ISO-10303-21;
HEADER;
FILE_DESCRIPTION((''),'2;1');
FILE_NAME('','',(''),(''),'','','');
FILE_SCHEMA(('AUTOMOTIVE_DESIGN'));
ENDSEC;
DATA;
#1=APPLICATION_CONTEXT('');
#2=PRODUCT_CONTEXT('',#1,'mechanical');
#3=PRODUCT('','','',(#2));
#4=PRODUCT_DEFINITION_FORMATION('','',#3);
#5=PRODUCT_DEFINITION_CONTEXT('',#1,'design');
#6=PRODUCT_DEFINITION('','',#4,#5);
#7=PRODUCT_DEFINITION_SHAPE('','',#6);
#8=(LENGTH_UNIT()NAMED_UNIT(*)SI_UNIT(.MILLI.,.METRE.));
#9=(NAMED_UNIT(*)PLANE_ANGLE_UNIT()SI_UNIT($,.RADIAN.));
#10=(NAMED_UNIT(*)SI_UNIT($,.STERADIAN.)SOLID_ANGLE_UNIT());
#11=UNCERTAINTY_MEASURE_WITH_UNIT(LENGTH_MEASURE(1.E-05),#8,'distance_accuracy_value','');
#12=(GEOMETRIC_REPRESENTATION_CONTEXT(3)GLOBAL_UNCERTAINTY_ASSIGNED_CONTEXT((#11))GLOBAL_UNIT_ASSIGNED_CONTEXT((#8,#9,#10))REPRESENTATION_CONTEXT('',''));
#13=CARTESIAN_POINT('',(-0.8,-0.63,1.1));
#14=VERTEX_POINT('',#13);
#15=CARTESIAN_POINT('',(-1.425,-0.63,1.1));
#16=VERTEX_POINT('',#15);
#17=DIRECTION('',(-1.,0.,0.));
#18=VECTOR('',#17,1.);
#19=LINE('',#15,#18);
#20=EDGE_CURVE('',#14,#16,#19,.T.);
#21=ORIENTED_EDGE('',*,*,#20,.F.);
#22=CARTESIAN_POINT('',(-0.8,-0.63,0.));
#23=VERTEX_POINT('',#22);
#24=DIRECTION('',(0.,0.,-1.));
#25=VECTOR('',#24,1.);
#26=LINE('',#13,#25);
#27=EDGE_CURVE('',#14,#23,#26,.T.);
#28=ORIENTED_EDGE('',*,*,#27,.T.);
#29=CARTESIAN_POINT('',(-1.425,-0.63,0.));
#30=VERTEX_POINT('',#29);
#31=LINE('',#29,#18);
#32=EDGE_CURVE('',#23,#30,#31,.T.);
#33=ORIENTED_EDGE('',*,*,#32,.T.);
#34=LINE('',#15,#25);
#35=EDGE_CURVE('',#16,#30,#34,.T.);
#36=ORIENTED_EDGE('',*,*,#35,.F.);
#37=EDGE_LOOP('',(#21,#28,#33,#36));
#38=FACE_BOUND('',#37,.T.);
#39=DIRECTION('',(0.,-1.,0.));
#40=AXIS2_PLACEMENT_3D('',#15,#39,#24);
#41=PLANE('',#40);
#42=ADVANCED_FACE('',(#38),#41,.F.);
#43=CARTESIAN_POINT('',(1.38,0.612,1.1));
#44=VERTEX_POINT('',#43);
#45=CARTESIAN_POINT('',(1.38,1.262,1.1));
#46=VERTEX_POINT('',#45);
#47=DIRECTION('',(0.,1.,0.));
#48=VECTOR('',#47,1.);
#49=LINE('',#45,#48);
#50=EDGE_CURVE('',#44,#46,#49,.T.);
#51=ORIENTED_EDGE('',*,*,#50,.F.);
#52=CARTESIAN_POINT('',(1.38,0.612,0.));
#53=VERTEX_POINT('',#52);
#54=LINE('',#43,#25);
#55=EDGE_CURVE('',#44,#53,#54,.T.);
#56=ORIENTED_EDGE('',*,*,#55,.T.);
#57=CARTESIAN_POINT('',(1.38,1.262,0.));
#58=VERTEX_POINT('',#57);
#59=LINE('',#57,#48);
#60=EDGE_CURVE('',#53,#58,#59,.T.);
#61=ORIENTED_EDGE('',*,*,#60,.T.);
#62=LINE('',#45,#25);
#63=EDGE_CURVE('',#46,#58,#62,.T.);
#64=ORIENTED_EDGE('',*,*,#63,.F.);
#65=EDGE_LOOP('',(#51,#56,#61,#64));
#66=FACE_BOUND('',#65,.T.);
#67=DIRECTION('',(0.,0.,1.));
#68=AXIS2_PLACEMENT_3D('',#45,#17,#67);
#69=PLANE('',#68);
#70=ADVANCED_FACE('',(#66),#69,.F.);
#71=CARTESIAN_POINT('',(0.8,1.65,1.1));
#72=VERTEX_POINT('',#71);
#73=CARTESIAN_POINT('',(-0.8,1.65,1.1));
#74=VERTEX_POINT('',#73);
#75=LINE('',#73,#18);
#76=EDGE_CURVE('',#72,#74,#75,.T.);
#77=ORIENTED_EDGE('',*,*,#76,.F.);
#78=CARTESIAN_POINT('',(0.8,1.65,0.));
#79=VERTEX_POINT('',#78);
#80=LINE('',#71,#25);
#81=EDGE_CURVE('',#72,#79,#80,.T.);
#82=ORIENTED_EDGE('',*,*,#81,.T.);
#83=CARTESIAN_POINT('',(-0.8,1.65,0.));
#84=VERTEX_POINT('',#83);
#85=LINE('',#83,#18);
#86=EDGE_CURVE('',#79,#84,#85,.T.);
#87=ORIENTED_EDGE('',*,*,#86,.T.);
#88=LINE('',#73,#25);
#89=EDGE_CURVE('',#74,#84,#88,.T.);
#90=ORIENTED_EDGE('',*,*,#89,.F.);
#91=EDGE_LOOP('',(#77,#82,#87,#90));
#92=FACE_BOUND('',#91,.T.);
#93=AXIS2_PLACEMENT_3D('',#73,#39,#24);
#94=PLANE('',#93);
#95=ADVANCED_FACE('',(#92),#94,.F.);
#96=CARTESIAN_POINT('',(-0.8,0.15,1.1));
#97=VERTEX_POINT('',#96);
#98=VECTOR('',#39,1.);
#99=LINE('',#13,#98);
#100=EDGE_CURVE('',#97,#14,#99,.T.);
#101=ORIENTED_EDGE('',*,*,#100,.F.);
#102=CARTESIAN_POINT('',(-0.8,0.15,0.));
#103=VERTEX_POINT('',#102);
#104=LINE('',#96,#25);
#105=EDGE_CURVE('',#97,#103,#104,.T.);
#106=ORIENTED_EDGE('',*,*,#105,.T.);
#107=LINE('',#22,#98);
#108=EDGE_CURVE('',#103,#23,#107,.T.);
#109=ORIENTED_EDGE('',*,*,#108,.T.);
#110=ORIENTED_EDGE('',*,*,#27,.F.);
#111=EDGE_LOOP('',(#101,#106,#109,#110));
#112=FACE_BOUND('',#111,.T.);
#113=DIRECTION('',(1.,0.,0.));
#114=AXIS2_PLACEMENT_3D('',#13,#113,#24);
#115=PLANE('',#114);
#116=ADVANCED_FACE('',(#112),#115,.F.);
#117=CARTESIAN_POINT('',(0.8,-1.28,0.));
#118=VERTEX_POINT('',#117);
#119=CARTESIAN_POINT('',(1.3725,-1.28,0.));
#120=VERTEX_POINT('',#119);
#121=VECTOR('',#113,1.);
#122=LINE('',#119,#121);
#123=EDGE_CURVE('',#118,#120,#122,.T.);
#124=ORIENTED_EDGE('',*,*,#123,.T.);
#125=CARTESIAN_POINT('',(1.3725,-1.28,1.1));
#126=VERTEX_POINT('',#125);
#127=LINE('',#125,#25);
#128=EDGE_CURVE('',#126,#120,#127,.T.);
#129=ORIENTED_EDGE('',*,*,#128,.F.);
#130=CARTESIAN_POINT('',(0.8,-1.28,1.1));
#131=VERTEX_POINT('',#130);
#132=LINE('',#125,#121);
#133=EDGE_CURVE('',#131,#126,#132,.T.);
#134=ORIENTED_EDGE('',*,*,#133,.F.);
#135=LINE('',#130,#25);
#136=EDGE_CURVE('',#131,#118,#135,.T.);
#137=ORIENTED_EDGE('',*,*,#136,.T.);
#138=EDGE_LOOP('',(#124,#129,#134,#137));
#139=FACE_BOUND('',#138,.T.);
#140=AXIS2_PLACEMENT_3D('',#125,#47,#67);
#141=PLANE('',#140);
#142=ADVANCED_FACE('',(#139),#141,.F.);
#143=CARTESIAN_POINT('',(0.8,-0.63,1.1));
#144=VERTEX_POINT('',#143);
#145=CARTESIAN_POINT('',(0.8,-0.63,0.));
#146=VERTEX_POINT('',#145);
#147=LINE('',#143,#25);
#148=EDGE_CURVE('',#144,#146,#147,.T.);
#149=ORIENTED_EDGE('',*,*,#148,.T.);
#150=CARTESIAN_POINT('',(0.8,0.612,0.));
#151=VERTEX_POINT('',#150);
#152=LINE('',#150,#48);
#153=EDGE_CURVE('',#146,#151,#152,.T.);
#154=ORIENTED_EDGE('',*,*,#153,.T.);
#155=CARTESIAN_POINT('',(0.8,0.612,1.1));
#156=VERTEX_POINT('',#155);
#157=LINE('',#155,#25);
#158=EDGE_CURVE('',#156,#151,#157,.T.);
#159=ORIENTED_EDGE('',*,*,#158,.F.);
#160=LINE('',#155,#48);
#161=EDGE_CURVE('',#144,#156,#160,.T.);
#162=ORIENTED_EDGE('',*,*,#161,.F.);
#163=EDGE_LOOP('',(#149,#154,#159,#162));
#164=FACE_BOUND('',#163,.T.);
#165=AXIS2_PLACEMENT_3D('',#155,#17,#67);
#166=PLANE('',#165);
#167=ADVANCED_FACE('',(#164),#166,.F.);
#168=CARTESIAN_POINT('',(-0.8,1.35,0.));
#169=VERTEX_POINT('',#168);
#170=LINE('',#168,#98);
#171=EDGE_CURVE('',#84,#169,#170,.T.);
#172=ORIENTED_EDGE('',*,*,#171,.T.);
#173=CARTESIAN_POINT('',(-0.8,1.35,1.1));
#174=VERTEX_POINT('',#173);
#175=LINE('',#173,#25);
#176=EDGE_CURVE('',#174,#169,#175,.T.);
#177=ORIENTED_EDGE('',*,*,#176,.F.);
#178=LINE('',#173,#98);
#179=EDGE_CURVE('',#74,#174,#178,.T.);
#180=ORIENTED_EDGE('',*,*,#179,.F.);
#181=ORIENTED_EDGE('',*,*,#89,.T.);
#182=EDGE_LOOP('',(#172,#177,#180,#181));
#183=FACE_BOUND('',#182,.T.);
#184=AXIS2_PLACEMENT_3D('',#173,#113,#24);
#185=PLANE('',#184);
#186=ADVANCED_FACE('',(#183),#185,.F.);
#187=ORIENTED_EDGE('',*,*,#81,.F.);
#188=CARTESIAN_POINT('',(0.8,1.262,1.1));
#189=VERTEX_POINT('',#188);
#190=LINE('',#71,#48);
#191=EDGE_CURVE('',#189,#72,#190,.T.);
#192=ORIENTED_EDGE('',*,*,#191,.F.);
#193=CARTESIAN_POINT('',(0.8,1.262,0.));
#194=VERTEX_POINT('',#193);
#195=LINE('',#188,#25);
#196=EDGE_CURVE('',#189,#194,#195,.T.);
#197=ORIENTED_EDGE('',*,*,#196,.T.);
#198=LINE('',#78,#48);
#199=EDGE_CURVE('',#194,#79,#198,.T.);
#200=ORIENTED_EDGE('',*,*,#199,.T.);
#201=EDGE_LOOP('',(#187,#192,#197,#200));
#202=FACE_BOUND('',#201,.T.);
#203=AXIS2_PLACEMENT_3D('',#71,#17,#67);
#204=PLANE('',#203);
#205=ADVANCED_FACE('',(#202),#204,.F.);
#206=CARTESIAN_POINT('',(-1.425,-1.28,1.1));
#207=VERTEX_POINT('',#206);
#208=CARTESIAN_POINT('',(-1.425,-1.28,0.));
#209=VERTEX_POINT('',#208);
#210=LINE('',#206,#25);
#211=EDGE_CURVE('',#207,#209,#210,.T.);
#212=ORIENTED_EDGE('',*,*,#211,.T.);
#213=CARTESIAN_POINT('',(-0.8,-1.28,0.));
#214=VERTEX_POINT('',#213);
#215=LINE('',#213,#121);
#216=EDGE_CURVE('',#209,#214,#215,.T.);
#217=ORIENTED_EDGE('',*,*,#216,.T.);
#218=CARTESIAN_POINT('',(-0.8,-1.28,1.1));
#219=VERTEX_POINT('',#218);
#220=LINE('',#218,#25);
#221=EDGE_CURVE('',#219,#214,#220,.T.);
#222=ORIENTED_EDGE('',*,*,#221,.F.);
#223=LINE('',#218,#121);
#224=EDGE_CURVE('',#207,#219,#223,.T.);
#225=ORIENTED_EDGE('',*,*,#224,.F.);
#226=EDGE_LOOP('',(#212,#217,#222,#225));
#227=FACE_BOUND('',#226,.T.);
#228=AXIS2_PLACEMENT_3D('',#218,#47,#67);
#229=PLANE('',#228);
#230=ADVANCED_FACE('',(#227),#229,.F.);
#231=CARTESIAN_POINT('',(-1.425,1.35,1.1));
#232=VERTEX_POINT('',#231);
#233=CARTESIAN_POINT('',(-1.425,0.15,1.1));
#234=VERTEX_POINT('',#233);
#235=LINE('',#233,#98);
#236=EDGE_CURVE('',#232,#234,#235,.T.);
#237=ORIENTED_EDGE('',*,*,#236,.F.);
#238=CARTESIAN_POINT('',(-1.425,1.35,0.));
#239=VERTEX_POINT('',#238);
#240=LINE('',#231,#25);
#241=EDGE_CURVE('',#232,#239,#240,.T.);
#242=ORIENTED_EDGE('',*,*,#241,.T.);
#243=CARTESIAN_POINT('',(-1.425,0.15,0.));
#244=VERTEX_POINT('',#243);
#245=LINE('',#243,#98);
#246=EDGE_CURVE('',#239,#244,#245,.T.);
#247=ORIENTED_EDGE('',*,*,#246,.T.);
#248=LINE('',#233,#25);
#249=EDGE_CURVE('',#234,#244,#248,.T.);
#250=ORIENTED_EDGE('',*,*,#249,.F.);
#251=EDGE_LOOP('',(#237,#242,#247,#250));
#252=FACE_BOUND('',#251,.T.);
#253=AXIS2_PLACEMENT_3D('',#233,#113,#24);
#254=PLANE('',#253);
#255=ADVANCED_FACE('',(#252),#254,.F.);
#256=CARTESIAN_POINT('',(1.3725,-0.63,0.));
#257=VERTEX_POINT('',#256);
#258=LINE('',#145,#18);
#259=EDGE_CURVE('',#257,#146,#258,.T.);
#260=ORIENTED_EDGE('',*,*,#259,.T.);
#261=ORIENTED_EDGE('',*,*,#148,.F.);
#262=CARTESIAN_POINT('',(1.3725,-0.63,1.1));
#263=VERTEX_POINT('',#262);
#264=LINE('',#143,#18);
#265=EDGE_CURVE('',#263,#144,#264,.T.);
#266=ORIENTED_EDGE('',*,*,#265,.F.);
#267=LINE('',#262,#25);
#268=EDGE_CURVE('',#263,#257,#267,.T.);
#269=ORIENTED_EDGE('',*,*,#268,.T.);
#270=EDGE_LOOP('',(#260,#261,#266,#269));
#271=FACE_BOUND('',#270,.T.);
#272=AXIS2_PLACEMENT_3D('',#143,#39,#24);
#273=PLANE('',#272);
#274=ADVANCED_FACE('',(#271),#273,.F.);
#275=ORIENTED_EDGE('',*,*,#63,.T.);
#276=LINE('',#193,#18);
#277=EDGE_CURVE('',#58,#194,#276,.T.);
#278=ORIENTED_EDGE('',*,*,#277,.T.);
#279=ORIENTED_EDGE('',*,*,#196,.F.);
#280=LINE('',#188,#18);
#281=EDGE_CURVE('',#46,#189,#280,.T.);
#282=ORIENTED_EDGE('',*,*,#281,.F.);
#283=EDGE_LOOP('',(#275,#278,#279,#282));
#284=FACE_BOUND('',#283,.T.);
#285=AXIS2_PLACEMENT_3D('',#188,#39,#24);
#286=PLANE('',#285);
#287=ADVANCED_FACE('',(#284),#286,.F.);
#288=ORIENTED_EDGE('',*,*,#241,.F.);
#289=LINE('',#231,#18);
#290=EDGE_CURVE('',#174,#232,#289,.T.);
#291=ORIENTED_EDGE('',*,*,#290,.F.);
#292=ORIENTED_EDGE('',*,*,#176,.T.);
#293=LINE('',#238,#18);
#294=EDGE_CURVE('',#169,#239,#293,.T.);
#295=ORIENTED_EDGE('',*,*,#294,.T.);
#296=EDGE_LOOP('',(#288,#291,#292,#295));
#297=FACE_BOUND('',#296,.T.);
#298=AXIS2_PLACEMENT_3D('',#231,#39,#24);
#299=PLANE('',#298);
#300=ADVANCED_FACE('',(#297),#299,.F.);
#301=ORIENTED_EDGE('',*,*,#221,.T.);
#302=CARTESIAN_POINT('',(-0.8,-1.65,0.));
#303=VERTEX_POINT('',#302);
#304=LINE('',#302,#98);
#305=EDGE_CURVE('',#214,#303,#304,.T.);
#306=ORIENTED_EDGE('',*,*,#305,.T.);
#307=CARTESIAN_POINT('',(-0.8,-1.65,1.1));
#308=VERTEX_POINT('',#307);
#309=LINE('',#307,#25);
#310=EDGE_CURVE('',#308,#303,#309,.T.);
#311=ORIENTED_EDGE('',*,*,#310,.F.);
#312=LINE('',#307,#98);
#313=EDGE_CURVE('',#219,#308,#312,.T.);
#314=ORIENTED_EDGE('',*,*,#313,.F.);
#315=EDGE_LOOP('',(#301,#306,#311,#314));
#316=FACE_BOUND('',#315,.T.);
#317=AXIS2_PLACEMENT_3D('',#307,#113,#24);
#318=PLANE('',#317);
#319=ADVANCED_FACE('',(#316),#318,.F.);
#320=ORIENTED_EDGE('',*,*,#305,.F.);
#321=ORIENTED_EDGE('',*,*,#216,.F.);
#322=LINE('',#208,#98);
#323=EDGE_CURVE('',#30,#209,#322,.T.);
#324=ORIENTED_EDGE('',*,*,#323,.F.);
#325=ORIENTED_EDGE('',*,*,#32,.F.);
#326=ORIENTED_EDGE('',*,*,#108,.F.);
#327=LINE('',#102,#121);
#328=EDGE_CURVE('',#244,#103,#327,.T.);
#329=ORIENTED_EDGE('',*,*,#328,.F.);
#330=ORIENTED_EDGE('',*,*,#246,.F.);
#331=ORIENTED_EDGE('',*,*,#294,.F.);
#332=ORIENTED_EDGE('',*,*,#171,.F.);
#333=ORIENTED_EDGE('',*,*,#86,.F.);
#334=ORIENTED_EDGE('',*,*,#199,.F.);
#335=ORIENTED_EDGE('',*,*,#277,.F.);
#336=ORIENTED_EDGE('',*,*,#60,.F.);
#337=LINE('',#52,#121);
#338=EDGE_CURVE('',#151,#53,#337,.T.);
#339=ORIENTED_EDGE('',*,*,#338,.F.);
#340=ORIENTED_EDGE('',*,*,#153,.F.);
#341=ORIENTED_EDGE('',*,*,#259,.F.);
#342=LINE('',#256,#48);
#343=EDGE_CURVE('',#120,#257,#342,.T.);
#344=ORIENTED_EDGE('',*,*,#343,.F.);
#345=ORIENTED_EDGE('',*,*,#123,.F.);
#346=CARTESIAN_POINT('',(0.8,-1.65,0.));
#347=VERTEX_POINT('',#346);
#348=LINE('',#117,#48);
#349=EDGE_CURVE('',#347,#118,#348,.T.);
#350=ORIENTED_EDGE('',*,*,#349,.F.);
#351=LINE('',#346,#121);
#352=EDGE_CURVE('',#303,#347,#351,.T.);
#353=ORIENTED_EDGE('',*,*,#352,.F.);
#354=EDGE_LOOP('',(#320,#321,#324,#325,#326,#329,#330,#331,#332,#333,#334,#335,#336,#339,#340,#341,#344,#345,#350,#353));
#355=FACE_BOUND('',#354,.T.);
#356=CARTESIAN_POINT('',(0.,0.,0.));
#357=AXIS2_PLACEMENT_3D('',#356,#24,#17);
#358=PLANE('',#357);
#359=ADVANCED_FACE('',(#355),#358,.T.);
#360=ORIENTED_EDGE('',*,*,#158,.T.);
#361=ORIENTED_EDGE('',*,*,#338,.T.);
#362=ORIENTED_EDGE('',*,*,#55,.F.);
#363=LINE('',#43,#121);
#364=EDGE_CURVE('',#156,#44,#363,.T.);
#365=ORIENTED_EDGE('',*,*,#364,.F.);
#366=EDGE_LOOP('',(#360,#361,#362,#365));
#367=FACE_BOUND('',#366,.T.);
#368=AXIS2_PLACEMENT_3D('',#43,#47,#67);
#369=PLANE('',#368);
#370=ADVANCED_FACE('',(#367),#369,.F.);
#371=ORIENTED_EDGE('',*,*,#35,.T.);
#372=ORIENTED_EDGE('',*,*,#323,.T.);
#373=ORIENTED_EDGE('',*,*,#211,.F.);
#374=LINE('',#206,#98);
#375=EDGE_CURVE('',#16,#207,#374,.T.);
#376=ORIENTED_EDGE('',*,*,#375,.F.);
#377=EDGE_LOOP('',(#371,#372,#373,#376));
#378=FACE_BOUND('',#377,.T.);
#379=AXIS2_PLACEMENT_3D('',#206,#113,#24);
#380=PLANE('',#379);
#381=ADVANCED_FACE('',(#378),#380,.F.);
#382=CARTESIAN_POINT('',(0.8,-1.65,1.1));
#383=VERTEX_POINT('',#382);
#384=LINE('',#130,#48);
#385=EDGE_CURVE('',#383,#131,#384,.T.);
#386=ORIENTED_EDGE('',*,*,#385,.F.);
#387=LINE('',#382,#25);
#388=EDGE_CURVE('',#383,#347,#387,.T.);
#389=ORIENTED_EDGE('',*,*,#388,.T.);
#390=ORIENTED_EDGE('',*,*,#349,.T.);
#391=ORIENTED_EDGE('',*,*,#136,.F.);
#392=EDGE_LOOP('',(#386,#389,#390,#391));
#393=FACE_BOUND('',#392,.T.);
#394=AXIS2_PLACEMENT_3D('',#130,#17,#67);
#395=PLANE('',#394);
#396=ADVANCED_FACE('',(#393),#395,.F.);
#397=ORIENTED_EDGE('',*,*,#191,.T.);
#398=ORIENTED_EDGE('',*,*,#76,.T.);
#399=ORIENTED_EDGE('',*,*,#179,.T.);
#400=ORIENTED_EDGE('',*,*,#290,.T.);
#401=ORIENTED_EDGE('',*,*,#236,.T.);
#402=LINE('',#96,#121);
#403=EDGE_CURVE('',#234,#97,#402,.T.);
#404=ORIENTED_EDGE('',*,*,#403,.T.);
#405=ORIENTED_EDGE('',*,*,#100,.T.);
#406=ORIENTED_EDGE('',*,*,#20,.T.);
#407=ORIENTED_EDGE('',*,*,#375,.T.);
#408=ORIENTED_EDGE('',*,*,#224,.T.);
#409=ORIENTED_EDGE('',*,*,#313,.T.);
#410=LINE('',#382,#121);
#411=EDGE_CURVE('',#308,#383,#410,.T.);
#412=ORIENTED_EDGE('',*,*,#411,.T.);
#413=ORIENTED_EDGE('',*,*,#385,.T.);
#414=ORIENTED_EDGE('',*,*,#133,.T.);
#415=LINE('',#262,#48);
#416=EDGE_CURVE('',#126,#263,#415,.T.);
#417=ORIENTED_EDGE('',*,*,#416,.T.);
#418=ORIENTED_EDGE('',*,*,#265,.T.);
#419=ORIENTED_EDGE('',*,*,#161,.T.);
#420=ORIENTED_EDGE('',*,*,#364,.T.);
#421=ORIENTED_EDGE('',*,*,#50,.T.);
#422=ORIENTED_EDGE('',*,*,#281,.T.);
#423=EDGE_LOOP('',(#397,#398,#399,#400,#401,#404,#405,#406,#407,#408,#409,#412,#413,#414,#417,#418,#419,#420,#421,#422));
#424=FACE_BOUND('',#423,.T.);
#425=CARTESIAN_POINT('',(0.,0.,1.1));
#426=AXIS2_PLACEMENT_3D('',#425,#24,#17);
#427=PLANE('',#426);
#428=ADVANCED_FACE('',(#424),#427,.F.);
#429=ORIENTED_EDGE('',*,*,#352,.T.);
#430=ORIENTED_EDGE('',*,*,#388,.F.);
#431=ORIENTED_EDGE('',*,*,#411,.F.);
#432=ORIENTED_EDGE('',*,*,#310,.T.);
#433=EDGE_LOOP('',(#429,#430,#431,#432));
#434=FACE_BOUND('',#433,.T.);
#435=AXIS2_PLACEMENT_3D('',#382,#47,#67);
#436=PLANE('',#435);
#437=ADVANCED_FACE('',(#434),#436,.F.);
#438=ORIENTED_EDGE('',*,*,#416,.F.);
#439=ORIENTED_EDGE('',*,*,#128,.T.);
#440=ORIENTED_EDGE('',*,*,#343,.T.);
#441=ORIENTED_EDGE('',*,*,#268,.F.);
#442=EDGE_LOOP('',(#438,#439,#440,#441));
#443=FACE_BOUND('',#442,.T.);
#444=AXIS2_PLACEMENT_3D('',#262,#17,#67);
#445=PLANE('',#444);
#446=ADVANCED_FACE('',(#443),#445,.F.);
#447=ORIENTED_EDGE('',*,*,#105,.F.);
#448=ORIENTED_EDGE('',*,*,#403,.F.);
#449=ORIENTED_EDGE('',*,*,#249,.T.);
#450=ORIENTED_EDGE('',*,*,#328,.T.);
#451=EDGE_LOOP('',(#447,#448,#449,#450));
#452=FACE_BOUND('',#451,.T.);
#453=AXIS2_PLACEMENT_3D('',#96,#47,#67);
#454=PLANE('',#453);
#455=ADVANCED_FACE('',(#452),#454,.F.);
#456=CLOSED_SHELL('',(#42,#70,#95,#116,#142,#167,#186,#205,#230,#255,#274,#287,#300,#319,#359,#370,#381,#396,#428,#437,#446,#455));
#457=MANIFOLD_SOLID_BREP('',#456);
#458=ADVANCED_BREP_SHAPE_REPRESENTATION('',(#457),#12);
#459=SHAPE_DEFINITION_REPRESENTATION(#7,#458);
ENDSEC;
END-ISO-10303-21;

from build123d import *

# Parameters (mm, degrees)
COMPONENT_OUTLINE_DEPTH = 1.1


with BuildPart() as part:
    # 草图1 → Component_Outline (new body)
    with BuildSketch(Plane.XY):
        Polygon((-1.425, 1.35), (-0.8, 1.35), (-0.8, 1.65), (0.8, 1.65), (0.8, 1.262), (1.38, 1.262), (1.38, 0.612), (0.8, 0.612), (0.8, -0.63), (1.3725, -0.63), (1.3725, -1.28), (0.8, -1.28), (0.8, -1.65), (-0.8, -1.65), (-0.8, -1.28), (-1.425, -1.28), (-1.425, -0.63), (-0.8, -0.63), (-0.8, 0.15), (-1.425, 0.15), align=None)
    extrude(amount=COMPONENT_OUTLINE_DEPTH)


solid = part.part
